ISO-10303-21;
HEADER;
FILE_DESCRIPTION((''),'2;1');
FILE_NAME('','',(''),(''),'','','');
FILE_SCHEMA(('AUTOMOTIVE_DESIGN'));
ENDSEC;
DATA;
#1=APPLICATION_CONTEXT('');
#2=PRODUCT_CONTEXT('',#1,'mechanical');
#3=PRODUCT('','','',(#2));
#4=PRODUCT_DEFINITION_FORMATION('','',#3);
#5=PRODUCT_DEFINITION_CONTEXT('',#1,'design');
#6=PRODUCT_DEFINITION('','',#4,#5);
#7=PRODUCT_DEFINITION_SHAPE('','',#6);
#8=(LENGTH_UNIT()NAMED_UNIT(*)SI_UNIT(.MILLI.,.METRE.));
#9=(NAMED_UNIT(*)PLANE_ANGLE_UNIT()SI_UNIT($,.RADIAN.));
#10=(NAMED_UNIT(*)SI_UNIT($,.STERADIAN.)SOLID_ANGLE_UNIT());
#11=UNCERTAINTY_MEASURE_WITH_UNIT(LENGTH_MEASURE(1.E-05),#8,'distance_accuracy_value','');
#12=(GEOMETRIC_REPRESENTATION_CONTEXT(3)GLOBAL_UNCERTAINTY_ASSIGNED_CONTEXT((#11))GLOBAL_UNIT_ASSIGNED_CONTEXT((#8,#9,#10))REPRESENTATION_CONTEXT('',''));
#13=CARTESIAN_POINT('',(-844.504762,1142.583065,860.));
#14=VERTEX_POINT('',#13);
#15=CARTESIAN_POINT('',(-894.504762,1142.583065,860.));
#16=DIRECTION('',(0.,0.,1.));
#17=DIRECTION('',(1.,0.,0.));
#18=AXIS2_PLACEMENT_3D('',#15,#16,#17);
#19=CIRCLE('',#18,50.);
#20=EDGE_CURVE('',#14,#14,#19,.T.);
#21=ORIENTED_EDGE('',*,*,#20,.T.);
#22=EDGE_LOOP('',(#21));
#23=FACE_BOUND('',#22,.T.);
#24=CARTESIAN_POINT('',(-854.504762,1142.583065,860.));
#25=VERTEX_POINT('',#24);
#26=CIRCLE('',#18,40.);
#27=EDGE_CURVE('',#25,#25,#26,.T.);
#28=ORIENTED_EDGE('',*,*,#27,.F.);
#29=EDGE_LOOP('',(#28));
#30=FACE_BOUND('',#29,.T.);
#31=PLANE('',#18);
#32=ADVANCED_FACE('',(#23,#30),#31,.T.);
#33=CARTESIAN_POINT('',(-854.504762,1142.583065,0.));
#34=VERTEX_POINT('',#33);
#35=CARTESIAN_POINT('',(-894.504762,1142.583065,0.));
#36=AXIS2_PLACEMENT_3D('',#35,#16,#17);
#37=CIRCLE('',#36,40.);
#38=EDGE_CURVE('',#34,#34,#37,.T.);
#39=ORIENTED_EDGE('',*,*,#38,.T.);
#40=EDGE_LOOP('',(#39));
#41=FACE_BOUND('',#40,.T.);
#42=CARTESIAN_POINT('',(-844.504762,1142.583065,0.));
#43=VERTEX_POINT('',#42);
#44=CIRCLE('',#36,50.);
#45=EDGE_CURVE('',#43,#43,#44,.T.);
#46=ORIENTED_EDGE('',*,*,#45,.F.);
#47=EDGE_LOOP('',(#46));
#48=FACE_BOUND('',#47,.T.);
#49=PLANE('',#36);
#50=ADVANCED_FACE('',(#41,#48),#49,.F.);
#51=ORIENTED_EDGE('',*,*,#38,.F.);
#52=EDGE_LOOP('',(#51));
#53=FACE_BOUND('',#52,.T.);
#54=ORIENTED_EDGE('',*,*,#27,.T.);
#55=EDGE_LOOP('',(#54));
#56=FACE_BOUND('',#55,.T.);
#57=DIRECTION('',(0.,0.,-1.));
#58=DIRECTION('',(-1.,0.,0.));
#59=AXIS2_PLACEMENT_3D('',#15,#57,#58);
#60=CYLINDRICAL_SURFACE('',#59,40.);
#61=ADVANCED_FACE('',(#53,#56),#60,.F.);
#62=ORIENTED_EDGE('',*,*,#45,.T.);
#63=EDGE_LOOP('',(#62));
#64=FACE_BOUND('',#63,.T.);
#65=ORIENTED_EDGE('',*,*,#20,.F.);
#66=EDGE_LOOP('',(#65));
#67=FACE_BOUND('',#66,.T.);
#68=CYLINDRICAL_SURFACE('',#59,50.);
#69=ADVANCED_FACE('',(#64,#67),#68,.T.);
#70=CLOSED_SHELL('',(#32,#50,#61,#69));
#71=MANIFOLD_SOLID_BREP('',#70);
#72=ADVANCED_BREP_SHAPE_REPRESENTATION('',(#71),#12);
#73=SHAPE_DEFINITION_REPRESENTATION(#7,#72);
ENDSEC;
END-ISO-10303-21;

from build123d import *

# Parameters (mm, degrees)
SKETCH25_R           = 50
SKETCH25_R_2         = 40
BOSS_EXTRUDE16_DEPTH = 860


with BuildPart() as part:
    # Sketch25 → Boss-Extrude16 (new body)
    with BuildSketch(Plane.XY):
        with Locations((-894.504762148, 1142.583065453)):
            Circle(SKETCH25_R)
        with Locations((-894.504762148, 1142.583065453)):
            Circle(SKETCH25_R_2, mode=Mode.SUBTRACT)
    extrude(amount=BOSS_EXTRUDE16_DEPTH)


solid = part.part
